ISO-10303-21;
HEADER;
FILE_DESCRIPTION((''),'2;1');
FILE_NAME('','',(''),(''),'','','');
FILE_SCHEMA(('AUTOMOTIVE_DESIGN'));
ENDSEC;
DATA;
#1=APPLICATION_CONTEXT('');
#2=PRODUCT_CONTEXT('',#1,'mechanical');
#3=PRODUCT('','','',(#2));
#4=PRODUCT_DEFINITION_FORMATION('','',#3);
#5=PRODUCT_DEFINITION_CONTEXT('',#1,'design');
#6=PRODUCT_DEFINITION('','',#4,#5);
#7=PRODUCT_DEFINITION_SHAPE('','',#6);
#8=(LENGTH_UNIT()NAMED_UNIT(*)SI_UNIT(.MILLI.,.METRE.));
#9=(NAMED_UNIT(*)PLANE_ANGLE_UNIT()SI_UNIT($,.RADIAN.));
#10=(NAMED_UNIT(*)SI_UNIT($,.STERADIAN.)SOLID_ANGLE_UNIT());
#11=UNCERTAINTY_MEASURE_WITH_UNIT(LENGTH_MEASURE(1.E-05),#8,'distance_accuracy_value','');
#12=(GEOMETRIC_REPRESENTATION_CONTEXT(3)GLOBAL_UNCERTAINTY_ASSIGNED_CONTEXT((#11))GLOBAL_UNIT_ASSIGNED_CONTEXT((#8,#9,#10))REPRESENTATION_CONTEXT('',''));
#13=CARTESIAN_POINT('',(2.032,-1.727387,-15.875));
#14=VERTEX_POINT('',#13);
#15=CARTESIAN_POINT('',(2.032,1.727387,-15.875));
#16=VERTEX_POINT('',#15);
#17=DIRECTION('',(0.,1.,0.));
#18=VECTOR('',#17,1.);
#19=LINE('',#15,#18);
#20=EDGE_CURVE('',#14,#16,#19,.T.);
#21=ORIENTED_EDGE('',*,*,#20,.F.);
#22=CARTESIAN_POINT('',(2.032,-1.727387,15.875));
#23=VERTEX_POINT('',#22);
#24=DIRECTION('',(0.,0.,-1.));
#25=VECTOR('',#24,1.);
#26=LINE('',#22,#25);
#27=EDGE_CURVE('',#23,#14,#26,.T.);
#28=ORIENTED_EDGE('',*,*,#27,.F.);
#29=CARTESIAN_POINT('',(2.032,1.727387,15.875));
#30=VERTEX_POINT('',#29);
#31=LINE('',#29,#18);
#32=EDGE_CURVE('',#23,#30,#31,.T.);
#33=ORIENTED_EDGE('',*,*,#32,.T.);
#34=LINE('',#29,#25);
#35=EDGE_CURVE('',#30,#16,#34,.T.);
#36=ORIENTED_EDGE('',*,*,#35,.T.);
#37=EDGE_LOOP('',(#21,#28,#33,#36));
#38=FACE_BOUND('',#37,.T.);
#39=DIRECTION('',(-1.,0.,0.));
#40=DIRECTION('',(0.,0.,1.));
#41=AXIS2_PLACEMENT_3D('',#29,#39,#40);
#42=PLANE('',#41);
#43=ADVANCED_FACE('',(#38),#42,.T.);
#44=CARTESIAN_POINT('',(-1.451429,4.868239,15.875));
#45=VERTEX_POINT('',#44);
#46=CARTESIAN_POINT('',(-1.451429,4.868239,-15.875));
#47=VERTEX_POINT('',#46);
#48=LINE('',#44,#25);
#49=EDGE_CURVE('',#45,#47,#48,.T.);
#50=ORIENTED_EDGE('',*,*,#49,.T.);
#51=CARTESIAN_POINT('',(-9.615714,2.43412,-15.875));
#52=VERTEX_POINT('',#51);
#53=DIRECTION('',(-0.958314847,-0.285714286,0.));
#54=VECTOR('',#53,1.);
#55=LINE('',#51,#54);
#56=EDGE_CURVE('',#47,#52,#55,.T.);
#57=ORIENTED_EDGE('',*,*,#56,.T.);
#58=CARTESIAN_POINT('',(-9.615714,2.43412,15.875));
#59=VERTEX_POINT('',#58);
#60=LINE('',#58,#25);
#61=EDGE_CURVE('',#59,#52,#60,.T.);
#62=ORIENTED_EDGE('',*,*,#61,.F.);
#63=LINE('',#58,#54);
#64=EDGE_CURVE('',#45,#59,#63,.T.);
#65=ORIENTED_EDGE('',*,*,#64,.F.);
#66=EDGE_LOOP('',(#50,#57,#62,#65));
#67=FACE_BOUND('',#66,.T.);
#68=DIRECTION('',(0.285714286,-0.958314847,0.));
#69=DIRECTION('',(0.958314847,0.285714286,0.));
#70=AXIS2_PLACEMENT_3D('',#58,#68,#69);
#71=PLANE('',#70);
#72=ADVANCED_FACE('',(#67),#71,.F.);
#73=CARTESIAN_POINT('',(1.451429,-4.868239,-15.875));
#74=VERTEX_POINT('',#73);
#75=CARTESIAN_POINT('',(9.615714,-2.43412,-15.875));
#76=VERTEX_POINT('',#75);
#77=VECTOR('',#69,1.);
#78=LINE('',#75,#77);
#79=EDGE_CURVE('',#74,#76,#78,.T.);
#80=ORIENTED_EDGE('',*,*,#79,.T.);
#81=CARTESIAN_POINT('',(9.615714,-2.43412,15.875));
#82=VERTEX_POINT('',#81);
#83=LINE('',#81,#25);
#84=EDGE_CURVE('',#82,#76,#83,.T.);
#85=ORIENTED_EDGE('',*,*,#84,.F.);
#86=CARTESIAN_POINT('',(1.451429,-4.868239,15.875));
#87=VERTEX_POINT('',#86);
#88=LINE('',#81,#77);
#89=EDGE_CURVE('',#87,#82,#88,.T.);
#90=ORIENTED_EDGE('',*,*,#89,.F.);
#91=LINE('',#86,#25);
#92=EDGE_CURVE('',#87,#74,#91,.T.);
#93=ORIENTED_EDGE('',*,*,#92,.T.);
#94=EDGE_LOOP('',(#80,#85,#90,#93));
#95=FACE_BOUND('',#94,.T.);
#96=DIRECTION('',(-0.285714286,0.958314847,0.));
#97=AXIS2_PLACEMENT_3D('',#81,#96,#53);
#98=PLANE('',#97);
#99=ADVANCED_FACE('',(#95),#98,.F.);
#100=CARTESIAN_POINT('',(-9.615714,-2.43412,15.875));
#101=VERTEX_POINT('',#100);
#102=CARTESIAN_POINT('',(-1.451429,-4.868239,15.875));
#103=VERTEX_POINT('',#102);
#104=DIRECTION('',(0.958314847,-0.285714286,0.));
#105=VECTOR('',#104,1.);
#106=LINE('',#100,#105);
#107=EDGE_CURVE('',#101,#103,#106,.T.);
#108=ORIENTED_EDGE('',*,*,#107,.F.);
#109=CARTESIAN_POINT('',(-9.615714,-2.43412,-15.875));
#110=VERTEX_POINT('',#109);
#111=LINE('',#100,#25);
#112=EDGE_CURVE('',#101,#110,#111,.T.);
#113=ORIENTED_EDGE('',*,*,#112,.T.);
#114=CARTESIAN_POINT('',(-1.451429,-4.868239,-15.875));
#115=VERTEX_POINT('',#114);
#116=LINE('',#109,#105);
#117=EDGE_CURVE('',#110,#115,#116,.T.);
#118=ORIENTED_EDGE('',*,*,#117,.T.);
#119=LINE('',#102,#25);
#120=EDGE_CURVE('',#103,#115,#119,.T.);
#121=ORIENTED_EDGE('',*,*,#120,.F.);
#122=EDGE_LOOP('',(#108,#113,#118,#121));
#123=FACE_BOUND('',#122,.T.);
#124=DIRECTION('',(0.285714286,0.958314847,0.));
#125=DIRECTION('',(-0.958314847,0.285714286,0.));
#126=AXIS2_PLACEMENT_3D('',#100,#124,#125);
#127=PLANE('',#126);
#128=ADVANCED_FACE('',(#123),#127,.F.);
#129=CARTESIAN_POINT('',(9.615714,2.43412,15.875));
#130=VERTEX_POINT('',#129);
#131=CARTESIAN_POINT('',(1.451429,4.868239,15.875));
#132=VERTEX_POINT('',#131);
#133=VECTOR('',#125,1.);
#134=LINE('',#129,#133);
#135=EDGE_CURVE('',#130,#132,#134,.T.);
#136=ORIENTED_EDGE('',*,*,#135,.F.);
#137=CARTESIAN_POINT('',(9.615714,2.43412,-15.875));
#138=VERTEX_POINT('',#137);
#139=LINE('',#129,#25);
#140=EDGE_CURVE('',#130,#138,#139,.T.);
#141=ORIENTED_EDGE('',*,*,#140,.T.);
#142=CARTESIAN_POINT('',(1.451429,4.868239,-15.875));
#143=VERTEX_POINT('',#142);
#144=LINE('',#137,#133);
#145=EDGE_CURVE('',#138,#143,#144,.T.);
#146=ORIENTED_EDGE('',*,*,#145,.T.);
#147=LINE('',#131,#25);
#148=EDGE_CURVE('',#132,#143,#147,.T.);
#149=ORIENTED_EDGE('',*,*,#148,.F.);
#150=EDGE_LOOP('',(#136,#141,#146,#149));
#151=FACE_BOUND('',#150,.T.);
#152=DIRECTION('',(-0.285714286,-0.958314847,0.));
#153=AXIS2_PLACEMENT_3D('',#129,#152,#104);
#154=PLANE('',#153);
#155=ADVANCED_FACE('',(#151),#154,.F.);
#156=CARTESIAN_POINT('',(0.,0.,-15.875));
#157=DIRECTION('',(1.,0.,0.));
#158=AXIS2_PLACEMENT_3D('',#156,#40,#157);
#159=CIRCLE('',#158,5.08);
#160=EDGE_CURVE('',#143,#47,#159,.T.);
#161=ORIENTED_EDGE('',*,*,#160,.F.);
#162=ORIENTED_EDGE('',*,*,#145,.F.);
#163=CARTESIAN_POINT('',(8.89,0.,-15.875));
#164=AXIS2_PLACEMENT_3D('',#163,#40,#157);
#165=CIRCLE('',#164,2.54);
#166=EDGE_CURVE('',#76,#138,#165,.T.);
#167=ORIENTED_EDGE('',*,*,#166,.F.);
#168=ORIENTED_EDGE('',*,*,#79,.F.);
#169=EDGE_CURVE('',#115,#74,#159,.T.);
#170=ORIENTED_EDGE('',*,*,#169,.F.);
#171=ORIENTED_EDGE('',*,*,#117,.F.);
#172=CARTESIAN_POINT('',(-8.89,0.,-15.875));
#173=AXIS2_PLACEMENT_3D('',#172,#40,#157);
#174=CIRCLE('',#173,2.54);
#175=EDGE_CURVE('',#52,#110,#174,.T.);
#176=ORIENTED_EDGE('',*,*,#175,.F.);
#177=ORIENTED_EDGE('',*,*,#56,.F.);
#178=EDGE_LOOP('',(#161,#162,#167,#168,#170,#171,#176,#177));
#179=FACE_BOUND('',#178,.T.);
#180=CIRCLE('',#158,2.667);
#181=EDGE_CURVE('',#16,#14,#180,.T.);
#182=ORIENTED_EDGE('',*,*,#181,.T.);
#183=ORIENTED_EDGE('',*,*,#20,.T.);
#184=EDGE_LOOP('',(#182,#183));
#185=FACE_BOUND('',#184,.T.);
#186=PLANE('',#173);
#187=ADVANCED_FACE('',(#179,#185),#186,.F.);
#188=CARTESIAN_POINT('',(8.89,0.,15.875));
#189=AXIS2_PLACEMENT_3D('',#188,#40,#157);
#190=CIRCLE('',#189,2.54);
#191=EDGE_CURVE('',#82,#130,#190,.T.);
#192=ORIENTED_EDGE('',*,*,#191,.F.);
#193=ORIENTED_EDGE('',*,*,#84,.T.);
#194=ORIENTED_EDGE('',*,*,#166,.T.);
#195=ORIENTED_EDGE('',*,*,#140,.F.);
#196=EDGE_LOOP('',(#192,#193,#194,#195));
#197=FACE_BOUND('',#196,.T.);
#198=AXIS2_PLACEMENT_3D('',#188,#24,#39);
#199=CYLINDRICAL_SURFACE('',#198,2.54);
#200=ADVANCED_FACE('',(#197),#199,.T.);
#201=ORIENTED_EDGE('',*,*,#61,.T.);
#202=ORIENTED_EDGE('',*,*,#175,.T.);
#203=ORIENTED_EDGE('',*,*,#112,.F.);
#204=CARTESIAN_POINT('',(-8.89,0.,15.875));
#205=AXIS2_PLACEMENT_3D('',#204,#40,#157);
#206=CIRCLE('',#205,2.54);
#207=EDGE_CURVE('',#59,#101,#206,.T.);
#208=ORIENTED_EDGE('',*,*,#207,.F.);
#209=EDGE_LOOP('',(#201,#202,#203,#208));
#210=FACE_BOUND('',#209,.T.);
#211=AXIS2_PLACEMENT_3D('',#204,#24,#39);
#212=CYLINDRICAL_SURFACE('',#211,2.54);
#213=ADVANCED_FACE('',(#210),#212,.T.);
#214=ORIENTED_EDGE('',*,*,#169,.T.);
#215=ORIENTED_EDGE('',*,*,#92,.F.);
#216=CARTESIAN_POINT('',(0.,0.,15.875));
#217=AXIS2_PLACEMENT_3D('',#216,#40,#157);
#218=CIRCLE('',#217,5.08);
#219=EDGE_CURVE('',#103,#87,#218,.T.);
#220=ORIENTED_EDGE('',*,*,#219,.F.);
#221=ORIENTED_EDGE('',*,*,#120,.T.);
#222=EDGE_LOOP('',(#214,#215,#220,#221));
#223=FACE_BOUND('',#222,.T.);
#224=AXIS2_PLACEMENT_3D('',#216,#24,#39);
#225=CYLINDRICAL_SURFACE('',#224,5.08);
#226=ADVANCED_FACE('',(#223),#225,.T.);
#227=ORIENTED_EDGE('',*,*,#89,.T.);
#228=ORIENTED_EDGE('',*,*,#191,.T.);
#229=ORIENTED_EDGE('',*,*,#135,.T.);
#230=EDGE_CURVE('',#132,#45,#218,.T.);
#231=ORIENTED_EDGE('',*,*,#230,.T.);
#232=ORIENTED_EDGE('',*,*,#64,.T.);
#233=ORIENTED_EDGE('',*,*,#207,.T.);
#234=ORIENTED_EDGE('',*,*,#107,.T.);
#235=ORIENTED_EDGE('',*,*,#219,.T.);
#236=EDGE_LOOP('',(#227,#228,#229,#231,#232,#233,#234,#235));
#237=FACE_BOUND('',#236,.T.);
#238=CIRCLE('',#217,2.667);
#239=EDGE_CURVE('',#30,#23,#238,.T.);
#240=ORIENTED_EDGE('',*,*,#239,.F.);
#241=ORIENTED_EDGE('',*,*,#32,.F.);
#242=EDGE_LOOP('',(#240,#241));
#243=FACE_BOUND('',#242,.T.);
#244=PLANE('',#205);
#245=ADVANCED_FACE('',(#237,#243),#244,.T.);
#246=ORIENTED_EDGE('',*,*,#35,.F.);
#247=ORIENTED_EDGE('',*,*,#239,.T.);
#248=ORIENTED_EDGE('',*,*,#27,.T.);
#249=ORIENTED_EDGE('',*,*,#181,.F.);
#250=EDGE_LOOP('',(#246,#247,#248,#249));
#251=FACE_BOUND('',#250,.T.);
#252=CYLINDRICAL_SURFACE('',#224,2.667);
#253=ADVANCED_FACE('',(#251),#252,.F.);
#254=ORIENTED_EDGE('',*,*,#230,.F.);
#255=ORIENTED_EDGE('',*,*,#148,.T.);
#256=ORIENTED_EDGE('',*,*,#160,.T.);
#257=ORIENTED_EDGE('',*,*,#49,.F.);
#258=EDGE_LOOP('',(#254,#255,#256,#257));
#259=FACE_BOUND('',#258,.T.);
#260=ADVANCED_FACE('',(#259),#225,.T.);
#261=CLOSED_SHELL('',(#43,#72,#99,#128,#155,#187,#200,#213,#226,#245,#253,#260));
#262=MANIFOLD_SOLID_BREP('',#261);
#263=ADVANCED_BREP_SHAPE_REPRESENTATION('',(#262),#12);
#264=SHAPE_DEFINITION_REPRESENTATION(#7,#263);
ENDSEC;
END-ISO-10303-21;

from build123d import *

# Parameters (mm, degrees)
BOSS_EXTRUDE1_DEPTH = 15.875


with BuildPart() as part:
    # Sketch1 → Boss-Extrude1 (new, symmetric)
    with BuildSketch(Plane.XY):
        with BuildLine():
            Line((-9.615714286, 2.434119713), (-1.451428571, 4.868239425))
            ThreePointArc((-1.451428571, 4.868239425), (0, 5.08), (1.451428571, 4.868239425))
            Line((1.451428571, 4.868239425), (9.615714286, 2.434119713))
            ThreePointArc((9.615714286, 2.434119713), (11.43, 0), (9.615714286, -2.434119713))
            Line((9.615714286, -2.434119713), (1.451428571, -4.868239425))
            ThreePointArc((1.451428571, -4.868239425), (0, -5.08), (-1.451428571, -4.868239425))
            Line((-1.451428571, -4.868239425), (-9.615714286, -2.434119713))
            ThreePointArc((-9.615714286, -2.434119713), (-11.43, 0), (-9.615714286, 2.434119713))
        make_face()
        with BuildLine():
            Line((2.032, 1.727386755), (2.032, -1.727386755))
            ThreePointArc((2.032, -1.727386755), (-2.667, 0), (2.032, 1.727386755))
        make_face(mode=Mode.SUBTRACT)
    extrude(amount=BOSS_EXTRUDE1_DEPTH, both=True)


solid = part.part
